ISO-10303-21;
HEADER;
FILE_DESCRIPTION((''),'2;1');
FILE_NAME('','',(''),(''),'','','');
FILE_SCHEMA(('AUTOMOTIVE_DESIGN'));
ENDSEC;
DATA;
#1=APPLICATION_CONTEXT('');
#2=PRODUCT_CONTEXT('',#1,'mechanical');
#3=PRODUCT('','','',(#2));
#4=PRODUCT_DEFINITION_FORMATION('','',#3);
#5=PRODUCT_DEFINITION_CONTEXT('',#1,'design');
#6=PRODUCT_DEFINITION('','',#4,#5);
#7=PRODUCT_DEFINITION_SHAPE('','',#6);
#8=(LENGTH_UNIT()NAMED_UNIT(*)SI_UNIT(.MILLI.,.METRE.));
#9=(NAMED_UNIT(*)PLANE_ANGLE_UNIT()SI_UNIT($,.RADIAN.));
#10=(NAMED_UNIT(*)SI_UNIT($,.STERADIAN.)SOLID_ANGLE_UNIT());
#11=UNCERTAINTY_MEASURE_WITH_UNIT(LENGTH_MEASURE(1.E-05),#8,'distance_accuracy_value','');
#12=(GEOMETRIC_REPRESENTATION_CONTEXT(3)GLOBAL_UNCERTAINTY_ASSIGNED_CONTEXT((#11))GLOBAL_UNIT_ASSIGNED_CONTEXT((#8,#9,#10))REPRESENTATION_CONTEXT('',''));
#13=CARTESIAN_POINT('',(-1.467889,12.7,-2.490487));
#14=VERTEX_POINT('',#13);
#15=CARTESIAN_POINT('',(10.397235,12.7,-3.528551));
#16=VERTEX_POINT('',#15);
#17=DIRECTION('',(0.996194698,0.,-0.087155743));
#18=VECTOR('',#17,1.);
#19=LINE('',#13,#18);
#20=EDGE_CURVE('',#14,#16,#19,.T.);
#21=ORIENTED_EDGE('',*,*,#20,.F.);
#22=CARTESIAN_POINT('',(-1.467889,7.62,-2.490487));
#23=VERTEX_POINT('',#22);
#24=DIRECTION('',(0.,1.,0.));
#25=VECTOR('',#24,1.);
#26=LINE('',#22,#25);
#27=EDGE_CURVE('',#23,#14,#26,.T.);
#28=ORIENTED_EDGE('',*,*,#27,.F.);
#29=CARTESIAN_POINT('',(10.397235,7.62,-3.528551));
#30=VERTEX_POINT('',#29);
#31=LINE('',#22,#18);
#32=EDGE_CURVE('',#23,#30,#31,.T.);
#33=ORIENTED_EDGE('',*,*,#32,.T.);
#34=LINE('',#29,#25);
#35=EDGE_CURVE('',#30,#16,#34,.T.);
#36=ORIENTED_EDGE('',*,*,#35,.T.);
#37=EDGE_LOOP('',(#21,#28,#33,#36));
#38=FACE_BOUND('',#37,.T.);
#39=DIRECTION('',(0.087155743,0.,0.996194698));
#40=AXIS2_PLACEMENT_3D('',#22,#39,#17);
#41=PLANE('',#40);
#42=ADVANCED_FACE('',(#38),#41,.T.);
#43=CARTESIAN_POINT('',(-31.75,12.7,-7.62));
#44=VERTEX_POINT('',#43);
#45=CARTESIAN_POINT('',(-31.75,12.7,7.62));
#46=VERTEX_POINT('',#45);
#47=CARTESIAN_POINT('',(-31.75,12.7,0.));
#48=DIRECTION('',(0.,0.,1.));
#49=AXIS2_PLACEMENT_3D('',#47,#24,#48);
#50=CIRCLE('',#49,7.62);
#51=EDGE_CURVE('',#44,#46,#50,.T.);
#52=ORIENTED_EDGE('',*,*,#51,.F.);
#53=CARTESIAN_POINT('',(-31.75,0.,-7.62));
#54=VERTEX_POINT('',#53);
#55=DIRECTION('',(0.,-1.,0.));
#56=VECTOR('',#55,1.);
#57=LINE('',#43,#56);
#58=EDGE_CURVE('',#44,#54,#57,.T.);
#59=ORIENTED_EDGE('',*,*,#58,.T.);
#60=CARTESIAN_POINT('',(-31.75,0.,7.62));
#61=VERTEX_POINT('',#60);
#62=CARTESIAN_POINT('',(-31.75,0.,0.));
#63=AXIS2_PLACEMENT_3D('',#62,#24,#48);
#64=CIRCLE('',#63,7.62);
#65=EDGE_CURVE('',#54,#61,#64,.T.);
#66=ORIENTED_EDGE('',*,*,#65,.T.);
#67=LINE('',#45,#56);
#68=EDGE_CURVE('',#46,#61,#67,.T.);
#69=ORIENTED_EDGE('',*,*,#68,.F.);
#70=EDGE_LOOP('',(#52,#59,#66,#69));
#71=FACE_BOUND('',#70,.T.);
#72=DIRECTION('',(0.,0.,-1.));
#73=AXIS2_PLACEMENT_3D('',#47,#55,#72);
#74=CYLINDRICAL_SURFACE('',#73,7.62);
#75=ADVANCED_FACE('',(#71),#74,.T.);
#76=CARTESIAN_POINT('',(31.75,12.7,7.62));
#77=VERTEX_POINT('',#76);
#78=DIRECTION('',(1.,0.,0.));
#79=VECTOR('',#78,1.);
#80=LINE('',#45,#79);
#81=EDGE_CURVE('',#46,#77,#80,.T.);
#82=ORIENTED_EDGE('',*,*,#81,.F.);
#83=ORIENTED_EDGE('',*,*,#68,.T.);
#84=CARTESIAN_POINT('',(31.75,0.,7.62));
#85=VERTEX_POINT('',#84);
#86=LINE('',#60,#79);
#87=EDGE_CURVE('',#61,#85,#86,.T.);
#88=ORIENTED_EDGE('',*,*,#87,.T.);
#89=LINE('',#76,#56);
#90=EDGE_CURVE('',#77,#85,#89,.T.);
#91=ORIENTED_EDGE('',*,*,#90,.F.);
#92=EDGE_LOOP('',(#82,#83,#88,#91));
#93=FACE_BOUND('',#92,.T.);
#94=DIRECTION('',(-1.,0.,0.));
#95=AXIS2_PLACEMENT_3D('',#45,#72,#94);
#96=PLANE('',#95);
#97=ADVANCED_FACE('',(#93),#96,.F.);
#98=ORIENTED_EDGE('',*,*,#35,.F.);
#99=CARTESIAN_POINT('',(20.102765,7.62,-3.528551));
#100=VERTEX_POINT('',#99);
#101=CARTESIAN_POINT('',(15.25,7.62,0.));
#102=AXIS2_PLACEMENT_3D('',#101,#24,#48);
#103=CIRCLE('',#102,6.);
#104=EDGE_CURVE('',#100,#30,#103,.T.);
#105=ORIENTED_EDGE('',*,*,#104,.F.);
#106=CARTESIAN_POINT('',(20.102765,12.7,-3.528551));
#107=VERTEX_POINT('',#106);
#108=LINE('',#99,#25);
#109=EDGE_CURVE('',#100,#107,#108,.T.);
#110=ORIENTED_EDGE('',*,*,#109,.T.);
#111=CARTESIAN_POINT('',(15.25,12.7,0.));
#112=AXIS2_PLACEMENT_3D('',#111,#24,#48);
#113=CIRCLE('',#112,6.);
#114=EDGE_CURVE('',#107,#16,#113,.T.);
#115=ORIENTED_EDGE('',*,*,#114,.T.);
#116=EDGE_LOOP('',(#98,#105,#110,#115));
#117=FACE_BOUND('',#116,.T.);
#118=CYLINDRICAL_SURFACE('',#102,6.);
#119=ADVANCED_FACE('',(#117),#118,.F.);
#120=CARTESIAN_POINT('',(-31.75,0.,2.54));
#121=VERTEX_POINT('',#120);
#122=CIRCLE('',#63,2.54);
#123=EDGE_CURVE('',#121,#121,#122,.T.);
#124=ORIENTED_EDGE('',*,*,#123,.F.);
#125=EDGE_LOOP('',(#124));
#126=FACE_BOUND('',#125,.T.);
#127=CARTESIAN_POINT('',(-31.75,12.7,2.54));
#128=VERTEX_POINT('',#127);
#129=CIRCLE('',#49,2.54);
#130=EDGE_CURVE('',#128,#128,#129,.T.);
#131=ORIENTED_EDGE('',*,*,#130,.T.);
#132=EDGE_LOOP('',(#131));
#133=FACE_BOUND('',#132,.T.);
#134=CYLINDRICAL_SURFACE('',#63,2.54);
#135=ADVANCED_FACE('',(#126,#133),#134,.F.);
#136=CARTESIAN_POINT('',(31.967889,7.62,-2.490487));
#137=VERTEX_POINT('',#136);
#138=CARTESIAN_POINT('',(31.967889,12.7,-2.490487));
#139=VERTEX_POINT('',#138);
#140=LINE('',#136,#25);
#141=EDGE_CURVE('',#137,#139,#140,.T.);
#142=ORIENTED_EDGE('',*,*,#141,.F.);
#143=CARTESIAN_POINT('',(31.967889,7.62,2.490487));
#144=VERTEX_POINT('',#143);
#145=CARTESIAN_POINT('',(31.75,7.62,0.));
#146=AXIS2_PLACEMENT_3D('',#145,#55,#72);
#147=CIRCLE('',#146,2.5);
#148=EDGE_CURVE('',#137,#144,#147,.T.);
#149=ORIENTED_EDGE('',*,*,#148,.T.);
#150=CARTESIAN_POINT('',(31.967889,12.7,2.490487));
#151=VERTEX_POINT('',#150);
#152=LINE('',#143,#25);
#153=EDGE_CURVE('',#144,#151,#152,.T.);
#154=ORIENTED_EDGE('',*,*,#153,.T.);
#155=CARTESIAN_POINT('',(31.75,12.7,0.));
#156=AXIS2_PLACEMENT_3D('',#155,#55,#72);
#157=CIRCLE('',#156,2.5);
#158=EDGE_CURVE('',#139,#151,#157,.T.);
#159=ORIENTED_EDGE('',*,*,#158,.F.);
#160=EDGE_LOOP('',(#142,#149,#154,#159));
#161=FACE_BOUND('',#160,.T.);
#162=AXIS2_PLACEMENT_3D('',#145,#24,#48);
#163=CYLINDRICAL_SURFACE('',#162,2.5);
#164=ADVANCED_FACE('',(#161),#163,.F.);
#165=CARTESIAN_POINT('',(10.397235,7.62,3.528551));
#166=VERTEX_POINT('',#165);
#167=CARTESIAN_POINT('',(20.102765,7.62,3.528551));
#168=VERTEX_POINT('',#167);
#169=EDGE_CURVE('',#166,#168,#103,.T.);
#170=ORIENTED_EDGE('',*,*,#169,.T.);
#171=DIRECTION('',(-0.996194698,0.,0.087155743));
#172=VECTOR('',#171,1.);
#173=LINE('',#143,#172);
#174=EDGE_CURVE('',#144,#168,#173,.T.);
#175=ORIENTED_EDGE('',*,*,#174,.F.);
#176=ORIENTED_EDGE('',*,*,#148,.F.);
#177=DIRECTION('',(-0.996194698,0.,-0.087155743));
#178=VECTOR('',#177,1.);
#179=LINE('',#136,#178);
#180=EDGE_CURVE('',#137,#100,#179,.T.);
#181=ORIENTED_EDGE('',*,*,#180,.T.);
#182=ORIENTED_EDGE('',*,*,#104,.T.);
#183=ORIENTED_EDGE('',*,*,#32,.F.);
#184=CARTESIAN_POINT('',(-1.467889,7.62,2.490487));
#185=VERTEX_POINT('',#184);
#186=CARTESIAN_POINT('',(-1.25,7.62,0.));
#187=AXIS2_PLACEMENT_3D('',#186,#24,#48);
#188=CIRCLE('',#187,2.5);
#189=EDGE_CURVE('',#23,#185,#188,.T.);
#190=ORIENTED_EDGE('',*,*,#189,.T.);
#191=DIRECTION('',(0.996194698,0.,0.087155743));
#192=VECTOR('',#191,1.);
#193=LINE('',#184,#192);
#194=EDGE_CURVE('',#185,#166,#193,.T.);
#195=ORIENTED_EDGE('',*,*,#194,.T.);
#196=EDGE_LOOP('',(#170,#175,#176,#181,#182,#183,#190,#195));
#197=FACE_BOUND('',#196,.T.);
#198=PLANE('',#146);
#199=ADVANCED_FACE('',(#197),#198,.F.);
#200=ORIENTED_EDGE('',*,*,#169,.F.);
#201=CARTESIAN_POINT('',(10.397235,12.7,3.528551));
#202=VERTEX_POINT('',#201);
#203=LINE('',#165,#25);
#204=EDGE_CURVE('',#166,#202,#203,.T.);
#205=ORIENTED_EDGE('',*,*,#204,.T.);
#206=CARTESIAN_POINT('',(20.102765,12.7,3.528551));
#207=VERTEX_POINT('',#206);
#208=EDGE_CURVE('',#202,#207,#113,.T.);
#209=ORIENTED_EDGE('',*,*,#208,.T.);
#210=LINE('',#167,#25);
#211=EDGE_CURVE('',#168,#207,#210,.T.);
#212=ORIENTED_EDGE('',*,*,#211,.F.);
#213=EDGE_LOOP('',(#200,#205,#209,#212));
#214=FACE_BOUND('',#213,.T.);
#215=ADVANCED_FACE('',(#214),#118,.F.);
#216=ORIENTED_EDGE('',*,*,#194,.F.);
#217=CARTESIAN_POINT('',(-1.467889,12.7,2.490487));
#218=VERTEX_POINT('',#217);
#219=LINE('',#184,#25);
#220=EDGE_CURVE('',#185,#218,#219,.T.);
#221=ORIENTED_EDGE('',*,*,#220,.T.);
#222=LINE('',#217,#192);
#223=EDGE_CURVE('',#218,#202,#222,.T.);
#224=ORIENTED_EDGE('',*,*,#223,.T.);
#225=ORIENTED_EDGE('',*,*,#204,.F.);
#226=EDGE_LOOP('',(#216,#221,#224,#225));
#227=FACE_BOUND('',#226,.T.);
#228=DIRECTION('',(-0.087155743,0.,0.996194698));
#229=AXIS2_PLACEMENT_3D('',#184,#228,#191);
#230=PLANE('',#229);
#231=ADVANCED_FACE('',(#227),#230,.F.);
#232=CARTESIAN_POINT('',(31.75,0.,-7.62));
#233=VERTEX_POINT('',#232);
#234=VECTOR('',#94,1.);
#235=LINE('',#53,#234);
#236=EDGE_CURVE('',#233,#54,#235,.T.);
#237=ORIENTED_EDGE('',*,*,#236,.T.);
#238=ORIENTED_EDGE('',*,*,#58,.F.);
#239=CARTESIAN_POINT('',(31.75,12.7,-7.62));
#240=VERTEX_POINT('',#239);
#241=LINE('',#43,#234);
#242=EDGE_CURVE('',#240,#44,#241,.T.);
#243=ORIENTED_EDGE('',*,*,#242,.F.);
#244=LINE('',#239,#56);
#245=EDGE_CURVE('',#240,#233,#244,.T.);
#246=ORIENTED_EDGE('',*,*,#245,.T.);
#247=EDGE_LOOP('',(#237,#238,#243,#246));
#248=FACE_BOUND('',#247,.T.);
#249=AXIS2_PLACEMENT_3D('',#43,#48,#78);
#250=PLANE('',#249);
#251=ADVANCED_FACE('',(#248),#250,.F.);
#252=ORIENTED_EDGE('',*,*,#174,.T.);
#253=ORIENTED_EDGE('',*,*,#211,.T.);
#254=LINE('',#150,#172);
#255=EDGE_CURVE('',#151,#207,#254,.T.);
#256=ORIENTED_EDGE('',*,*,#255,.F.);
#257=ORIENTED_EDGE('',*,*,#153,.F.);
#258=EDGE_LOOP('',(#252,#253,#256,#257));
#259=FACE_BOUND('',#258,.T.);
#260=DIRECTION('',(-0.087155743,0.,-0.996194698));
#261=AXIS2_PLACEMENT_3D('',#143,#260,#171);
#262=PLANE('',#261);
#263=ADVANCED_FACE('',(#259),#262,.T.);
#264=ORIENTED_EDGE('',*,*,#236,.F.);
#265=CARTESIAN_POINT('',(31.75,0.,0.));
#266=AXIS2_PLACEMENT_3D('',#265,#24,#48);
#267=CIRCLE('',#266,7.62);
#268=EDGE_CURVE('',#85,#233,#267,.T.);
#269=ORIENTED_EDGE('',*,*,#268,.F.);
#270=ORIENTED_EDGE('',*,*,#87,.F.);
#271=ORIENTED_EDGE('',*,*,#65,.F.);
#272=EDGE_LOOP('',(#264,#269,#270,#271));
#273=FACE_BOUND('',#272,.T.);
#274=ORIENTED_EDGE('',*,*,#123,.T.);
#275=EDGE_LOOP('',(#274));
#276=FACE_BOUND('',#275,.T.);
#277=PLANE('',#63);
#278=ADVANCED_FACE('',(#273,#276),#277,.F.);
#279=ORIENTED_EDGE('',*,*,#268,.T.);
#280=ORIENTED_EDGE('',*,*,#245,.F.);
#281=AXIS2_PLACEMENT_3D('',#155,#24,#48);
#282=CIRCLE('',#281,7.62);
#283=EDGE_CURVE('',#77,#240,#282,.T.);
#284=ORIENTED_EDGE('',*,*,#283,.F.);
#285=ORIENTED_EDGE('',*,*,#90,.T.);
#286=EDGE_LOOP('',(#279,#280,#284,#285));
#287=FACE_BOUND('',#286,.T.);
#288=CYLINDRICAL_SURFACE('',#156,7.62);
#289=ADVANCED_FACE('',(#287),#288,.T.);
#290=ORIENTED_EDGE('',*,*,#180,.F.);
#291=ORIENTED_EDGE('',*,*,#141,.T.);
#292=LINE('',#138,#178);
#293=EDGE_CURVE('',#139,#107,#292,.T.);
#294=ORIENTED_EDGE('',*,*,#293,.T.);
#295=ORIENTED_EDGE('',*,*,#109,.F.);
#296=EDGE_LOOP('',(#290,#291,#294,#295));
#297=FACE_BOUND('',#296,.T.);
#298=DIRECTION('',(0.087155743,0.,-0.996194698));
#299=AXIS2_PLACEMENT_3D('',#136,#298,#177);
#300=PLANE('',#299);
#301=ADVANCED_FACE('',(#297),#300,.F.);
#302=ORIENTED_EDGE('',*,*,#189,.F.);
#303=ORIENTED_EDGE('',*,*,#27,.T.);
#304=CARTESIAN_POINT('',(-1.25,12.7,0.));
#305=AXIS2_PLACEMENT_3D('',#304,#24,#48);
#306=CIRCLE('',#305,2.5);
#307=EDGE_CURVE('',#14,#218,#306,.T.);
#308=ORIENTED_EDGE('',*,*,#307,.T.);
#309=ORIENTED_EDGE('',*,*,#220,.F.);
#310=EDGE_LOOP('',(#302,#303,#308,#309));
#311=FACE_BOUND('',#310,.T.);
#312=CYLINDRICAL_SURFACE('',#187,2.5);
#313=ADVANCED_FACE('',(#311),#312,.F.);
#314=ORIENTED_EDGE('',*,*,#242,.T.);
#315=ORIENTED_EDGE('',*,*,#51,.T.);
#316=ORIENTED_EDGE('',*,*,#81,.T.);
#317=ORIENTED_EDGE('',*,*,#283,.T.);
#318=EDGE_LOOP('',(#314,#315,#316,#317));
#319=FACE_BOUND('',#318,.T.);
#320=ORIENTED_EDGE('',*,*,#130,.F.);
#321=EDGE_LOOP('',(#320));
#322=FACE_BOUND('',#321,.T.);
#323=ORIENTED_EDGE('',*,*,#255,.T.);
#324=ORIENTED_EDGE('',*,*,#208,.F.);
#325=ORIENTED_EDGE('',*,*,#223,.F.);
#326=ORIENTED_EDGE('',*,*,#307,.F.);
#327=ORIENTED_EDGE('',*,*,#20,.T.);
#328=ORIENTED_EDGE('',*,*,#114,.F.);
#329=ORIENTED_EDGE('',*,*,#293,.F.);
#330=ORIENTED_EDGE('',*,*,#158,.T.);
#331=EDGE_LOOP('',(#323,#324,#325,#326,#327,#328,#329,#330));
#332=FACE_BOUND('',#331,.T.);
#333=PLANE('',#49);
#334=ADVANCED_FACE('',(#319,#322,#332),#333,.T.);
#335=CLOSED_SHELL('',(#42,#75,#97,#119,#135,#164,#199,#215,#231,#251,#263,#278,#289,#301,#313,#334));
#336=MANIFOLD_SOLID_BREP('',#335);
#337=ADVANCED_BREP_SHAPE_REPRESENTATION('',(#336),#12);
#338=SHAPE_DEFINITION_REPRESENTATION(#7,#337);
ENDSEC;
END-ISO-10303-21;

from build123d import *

# Parameters (mm, degrees)
BOSS_EXTRUDE1_DEPTH = 12.7
SKETCH4_R           = 2.54
CUT_EXTRUDE3_DEPTH  = 43.063657711
CUT_EXTRUDE6_DEPTH  = 5.08


with BuildPart() as part:
    # Sketch3 → Boss-Extrude1 (new body)
    with BuildSketch(Plane(origin=(0, 0, 0), x_dir=(1, 0, 0), z_dir=(0, 1, 0))):
        with BuildLine():
            Line((-31.75, 7.62), (31.75, 7.62))
            ThreePointArc((31.75, 7.62), (39.37, 0), (31.75, -7.62))
            Line((31.75, -7.62), (-31.75, -7.62))
            ThreePointArc((-31.75, -7.62), (-39.37, 0), (-31.75, 7.62))
        make_face()
    extrude(amount=BOSS_EXTRUDE1_DEPTH)

    # Sketch4 → Cut-Extrude3 (cut, through all)
    with BuildSketch(Plane(origin=(0, 12.7, 0), x_dir=(1, 0, 0), z_dir=(0, 1, 0))):
        with Locations(Location((-31.75, 0, 0), (0, 0, 270))):
            Circle(SKETCH4_R)
    extrude(amount=-CUT_EXTRUDE3_DEPTH, mode=Mode.SUBTRACT)

    # Sketch9 → Cut-Extrude6 (cut)
    with BuildSketch(Plane(origin=(0, 12.7, 0), x_dir=(-1, 0, 0), z_dir=(0, 1, 0))):
        with BuildLine():
            Line((1.467889357, -2.490486745), (-10.397234737, -3.528550595))
            ThreePointArc((-10.397234737, -3.528550595), (-15.25, -6), (-20.102765263, -3.528550595))
            Line((-20.102765263, -3.528550595), (-31.967889357, -2.490486745))
            ThreePointArc((-31.967889357, -2.490486745), (-34.25, 0), (-31.967889357, 2.490486745))
            Line((-31.967889357, 2.490486745), (-20.102765263, 3.528550595))
            ThreePointArc((-20.102765263, 3.528550595), (-15.25, 6), (-10.397234737, 3.528550595))
            Line((-10.397234737, 3.528550595), (1.467889357, 2.490486745))
            ThreePointArc((1.467889357, 2.490486745), (3.75, 0), (1.467889357, -2.490486745))
        make_face()
    extrude(amount=-CUT_EXTRUDE6_DEPTH, mode=Mode.SUBTRACT)


solid = part.part
